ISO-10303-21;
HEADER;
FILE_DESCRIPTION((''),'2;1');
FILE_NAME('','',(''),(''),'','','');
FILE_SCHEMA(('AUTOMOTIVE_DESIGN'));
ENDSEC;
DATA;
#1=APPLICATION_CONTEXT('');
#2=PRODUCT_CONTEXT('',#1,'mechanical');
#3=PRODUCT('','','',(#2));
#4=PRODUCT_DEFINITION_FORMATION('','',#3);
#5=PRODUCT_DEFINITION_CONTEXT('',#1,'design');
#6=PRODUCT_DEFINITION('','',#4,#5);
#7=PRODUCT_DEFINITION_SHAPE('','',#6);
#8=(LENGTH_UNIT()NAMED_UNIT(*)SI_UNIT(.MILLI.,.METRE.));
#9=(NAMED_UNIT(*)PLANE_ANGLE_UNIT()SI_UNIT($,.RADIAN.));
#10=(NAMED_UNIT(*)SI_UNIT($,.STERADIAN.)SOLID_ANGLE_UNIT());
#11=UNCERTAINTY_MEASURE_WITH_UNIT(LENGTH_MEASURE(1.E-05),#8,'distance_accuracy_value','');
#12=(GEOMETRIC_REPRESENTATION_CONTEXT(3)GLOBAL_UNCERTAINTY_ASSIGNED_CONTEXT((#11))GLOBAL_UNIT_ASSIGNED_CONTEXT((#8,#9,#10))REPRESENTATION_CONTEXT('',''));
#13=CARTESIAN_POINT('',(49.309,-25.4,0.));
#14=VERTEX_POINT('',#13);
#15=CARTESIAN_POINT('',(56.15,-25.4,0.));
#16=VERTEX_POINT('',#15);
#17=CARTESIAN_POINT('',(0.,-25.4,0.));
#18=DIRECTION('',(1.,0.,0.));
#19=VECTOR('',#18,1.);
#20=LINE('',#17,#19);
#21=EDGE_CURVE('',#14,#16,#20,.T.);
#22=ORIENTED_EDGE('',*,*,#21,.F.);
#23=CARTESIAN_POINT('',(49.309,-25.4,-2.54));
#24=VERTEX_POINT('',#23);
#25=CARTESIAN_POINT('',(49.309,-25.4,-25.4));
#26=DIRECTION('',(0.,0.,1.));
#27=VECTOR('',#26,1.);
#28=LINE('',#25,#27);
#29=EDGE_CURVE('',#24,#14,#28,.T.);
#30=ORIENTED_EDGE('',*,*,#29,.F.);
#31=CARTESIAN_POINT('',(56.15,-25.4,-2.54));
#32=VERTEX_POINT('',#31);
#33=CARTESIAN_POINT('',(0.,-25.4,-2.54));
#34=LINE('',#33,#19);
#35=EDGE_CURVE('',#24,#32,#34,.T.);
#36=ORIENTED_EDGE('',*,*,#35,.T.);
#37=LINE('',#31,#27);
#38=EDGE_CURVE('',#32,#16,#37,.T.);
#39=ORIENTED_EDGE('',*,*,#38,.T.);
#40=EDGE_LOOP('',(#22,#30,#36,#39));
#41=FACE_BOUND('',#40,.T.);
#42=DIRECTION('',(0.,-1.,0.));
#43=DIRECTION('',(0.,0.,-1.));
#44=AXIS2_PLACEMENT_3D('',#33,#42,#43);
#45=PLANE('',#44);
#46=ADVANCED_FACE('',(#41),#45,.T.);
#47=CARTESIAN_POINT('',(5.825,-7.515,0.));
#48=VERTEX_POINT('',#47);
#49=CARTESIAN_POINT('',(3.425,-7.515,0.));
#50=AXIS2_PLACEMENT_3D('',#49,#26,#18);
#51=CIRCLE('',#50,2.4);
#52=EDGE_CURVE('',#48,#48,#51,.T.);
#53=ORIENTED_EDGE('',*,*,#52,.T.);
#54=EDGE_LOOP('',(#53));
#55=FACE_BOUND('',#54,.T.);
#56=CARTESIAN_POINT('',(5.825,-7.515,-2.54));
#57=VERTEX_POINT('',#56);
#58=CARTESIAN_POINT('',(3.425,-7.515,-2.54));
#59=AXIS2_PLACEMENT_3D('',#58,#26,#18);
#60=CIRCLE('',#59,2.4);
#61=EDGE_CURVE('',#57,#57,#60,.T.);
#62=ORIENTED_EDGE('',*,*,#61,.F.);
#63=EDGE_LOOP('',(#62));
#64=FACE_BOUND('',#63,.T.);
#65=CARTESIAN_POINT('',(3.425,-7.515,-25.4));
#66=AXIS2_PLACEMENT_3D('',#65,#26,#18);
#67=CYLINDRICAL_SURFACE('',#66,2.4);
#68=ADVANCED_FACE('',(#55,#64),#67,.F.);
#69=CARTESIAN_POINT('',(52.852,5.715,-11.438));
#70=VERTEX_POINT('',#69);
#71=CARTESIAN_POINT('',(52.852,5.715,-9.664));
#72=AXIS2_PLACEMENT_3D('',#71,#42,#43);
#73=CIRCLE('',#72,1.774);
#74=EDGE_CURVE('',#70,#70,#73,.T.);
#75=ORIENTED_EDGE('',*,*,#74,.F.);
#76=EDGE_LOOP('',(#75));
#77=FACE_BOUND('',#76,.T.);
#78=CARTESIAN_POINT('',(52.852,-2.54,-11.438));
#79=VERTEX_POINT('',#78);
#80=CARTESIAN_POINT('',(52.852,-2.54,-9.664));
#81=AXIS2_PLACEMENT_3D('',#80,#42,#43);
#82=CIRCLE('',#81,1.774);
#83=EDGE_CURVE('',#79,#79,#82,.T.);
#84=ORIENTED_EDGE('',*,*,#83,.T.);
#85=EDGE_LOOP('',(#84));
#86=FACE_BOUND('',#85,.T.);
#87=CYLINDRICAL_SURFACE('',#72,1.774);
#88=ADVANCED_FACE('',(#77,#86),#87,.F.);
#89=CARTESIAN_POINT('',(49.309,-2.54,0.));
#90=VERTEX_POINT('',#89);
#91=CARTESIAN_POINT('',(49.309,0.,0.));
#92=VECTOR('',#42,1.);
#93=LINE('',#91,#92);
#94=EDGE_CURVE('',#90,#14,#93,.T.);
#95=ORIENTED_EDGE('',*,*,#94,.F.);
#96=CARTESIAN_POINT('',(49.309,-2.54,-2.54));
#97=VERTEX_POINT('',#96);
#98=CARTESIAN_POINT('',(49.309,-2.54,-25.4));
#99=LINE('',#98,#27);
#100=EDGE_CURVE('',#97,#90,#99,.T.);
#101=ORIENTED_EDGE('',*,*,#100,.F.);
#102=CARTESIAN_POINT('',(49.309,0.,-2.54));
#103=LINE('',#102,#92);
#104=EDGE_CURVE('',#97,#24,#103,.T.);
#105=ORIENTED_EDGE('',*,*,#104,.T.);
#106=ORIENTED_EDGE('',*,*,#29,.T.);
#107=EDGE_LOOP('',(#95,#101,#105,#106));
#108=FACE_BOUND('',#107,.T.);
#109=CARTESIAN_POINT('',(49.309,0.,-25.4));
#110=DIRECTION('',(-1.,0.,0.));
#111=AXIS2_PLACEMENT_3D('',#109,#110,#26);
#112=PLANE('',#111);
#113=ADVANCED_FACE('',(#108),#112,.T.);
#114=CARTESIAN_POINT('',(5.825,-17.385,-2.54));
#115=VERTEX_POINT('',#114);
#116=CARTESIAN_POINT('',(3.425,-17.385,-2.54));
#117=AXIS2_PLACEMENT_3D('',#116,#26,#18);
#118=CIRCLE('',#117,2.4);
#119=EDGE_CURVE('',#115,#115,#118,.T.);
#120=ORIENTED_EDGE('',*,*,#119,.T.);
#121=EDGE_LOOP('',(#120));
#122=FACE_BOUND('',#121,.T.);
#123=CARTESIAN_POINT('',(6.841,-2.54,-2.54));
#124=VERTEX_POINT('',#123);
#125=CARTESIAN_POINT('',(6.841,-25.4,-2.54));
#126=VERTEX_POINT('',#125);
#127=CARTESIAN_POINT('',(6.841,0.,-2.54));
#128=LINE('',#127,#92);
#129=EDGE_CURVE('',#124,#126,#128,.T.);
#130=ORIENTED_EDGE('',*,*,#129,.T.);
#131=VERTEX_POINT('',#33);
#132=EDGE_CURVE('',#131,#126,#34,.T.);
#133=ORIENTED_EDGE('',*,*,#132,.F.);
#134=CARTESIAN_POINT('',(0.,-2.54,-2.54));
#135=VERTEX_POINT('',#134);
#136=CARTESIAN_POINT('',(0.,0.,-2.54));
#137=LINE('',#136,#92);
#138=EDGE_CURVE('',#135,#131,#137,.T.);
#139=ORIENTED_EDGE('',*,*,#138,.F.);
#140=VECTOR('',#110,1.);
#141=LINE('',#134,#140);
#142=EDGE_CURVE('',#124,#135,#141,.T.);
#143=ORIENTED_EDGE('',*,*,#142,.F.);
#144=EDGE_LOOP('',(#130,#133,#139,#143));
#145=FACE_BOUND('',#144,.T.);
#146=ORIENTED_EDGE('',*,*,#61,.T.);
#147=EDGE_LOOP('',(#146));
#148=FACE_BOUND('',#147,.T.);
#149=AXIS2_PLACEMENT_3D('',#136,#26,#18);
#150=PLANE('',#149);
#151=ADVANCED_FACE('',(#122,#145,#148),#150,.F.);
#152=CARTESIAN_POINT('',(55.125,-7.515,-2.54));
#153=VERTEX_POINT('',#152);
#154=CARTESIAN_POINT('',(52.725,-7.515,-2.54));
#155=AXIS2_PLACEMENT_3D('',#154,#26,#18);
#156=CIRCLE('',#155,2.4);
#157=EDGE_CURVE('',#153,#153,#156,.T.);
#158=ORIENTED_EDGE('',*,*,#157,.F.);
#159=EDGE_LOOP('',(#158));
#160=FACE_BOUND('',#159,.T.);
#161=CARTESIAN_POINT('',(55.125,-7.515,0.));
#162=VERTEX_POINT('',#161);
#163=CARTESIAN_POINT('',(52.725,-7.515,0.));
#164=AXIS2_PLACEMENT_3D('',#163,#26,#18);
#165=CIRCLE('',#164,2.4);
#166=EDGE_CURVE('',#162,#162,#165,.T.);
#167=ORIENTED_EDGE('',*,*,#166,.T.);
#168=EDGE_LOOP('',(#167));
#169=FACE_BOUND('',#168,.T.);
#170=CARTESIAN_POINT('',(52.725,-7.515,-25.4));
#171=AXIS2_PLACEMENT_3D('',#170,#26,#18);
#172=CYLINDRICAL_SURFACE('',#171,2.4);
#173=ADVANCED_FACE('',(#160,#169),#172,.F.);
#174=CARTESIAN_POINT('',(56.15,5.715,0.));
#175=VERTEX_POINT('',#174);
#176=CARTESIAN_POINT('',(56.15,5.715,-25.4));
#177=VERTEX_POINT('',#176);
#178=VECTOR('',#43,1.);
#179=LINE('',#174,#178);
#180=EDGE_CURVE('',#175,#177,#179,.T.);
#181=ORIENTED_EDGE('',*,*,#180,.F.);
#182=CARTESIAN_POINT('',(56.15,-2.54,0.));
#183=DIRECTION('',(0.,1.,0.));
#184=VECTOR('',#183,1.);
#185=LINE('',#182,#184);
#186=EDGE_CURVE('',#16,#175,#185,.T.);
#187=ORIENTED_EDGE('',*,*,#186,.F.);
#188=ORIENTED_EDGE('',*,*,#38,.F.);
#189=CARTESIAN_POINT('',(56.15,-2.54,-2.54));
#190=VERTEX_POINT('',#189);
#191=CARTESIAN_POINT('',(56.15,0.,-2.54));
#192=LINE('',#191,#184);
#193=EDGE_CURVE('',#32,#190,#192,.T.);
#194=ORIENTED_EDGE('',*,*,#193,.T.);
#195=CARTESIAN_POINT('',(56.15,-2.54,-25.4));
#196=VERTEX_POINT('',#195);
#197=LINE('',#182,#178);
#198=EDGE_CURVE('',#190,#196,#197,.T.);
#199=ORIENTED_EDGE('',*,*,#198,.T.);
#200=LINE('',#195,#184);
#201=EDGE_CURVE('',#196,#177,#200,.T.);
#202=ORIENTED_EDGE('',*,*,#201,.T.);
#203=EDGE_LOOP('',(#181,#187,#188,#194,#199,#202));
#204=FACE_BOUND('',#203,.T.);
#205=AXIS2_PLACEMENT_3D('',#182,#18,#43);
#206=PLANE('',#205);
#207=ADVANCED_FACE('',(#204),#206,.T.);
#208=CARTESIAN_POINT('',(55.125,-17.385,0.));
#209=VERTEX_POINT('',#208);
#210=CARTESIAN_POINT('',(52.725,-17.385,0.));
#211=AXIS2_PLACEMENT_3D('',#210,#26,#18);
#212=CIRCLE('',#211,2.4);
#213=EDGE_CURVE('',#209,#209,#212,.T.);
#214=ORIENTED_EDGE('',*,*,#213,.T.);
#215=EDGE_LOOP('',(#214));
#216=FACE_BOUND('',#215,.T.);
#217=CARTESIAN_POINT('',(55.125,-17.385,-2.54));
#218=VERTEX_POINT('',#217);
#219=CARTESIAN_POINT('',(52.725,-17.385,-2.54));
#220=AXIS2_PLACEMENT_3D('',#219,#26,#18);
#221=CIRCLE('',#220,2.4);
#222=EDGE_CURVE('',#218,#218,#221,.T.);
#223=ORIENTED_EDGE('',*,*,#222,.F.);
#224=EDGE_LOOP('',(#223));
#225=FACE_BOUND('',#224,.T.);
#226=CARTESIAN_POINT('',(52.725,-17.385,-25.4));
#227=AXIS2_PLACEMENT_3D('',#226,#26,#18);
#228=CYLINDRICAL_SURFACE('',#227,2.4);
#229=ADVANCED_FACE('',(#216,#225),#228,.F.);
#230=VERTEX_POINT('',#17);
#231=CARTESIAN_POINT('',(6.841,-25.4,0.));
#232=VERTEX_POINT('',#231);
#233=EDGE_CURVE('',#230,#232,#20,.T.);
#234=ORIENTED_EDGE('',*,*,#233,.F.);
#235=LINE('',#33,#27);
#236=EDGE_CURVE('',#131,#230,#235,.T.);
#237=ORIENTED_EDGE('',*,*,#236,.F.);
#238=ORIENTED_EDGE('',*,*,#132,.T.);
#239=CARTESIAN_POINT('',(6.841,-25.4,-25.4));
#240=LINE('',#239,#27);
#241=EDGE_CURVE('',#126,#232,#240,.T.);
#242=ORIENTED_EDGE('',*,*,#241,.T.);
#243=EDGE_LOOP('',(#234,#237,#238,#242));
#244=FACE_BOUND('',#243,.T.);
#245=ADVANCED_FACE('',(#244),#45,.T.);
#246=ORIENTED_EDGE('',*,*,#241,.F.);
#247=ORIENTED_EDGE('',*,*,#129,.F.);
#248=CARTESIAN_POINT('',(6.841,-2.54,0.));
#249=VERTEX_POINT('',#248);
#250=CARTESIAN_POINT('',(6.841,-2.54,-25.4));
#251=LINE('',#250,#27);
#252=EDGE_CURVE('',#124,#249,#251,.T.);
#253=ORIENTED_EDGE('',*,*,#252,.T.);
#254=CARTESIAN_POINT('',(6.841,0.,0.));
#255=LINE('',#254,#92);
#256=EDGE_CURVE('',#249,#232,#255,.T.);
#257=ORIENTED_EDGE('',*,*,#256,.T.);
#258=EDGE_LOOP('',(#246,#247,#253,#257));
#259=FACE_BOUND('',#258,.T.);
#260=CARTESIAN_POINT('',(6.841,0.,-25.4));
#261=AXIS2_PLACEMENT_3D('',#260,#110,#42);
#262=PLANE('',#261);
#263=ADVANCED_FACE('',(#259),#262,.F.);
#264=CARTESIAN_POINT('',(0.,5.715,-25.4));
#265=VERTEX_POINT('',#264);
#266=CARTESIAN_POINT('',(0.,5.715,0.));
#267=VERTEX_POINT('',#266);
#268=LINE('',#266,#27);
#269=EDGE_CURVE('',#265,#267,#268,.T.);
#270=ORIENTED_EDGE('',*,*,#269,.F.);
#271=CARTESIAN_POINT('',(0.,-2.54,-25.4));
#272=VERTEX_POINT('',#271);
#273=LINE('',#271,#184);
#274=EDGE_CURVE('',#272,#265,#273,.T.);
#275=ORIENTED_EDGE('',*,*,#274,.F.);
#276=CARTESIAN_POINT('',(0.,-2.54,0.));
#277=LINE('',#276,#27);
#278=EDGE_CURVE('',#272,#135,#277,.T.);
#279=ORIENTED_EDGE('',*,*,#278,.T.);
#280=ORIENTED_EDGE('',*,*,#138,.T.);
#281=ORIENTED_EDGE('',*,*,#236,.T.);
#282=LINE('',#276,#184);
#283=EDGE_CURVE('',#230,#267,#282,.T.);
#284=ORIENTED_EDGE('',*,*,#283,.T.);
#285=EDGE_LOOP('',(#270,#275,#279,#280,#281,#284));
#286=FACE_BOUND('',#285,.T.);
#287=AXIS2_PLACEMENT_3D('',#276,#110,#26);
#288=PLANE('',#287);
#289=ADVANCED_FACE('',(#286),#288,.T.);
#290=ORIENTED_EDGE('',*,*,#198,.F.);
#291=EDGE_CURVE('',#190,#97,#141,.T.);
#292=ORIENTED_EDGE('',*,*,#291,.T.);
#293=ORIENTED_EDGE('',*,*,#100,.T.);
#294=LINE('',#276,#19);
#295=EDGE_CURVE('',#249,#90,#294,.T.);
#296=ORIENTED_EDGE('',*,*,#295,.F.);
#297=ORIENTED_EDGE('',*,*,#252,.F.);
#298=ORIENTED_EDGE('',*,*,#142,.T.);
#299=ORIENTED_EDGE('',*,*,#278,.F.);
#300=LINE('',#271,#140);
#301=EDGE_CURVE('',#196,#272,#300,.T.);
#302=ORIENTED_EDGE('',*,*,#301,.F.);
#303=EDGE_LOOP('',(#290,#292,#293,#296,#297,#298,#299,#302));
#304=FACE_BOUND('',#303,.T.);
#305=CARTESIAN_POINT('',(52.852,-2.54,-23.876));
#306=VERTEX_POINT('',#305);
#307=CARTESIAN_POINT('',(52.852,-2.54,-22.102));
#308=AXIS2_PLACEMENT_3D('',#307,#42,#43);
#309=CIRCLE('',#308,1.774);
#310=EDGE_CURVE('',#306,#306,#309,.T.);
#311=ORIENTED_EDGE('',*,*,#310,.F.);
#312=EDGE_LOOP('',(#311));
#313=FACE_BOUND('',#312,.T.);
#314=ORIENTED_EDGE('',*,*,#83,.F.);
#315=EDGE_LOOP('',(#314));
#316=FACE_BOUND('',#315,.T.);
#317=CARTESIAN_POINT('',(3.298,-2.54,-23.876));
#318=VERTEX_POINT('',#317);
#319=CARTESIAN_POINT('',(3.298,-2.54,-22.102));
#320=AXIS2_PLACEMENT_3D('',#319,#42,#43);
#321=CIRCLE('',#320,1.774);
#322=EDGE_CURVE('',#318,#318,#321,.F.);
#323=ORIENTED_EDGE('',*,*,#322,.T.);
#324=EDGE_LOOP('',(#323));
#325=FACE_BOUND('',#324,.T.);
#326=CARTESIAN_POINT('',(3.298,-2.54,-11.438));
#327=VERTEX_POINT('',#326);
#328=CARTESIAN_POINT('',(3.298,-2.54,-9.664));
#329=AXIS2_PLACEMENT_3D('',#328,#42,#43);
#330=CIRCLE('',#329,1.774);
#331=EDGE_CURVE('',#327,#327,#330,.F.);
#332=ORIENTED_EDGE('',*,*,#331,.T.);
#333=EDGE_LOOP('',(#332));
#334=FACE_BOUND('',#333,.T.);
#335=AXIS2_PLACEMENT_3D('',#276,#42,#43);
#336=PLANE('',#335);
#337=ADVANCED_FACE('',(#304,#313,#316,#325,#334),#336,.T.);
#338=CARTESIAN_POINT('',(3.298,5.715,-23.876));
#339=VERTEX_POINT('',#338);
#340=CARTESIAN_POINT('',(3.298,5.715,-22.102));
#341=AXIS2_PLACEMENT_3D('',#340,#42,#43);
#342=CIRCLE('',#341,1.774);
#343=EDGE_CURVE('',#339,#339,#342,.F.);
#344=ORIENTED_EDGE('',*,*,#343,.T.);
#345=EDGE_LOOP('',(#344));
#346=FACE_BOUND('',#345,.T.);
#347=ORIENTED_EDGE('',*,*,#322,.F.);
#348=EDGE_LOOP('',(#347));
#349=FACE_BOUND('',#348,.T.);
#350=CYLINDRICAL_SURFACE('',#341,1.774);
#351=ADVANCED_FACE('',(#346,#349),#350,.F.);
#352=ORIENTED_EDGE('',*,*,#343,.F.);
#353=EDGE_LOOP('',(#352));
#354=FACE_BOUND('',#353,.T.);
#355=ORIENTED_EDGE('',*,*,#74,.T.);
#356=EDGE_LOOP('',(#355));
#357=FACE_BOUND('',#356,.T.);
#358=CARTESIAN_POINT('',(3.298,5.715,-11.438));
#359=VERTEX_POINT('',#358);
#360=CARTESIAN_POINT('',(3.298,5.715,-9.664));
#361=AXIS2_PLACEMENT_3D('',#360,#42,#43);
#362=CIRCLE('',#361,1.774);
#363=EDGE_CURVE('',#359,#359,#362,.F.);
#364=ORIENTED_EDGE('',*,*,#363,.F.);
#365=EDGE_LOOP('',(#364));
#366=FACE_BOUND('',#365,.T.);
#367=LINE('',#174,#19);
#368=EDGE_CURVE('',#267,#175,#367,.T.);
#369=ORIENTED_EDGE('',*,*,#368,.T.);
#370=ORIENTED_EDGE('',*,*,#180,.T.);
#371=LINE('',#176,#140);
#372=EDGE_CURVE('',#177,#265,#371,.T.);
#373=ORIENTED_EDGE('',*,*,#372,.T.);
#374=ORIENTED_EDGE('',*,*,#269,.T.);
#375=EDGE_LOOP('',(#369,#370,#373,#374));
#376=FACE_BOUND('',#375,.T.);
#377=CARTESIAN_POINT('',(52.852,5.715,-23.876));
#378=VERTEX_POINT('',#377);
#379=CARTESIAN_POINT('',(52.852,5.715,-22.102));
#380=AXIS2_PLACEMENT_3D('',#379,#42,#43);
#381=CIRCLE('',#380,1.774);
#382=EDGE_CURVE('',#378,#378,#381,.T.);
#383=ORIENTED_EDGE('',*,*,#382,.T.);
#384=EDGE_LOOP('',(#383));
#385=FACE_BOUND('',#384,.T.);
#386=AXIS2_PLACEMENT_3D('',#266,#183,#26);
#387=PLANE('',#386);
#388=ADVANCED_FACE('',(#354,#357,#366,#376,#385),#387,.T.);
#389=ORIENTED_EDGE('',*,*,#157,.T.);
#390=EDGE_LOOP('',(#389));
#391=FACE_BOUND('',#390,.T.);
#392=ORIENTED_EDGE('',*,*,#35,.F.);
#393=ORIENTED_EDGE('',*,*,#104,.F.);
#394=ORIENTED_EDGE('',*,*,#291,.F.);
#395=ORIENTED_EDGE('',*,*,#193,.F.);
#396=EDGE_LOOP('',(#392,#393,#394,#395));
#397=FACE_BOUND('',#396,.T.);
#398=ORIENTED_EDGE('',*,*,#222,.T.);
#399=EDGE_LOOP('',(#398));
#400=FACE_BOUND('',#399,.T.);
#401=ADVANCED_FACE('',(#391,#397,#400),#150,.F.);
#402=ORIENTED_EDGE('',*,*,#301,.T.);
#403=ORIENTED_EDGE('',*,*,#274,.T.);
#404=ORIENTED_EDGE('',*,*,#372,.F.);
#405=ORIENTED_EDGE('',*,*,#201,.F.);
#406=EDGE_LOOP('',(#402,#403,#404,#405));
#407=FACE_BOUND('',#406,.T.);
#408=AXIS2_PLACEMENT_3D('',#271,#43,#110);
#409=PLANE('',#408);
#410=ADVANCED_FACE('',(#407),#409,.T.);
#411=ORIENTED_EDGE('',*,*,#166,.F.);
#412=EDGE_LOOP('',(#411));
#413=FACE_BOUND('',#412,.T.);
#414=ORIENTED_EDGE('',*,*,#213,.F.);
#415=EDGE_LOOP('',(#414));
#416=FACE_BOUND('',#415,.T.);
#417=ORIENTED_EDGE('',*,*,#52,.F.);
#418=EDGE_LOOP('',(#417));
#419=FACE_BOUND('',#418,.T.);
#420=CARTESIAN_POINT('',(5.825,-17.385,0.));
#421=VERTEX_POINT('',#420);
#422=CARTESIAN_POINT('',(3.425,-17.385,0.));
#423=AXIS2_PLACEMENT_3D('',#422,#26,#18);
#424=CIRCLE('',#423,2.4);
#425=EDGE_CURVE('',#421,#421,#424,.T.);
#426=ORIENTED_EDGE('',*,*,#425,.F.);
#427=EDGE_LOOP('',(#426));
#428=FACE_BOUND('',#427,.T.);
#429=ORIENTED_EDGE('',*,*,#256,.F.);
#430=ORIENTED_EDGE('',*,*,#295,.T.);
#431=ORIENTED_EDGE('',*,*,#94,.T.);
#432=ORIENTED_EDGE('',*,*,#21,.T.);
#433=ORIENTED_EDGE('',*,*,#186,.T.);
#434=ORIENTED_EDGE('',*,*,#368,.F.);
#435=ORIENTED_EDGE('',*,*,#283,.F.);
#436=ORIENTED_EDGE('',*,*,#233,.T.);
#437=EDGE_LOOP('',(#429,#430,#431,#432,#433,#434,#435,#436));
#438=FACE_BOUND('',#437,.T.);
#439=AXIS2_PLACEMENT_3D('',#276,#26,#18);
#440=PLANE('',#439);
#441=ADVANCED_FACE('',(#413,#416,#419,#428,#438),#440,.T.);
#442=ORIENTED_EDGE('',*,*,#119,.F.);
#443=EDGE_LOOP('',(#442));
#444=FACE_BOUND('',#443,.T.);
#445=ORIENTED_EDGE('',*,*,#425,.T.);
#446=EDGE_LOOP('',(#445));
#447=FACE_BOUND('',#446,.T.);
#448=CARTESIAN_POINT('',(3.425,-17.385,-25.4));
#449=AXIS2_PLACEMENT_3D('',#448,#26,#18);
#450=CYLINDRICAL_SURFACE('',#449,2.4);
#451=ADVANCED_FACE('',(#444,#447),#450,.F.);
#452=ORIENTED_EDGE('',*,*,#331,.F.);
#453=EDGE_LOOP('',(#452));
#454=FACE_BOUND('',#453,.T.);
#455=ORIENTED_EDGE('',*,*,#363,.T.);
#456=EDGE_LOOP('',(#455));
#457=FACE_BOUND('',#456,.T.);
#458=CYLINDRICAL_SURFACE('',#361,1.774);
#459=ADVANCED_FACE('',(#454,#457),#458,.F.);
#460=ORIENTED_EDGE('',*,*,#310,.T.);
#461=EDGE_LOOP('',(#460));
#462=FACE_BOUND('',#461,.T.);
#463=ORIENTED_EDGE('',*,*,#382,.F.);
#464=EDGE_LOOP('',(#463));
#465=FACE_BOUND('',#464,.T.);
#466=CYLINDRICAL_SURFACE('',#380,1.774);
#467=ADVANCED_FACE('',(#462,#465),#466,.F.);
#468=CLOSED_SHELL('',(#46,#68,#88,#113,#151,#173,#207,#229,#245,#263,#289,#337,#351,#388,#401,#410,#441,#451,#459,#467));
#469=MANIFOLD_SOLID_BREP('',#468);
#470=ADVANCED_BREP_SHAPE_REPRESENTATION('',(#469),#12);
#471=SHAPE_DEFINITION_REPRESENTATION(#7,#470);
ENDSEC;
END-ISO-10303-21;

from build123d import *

# Parameters (mm, degrees)
SKETCH1_W           = 56.15
SKETCH1_H           = 25.4
BOSS_EXTRUDE1_DEPTH = 2.54
SKETCH2_W           = 56.15
SKETCH2_H           = 25.4
BOSS_EXTRUDE2_DEPTH = 2.54
SKETCH3_R           = 2.400000018
CUT_EXTRUDE1_DEPTH  = 26.4
SKETCH11_W          = 56.15
SKETCH11_H          = 25.4
BOSS_EXTRUDE3_DEPTH = 5.715
SKETCH6_R           = 1.774
CUT_EXTRUDE3_DEPTH  = 9.255
CUT_EXTRUDE4_DEPTH  = 26.4


with BuildPart() as part:
    # Sketch1 → Boss-Extrude1 (new body)
    with BuildSketch(Plane(origin=(0, 0, 0), x_dir=(1, 0, 0), z_dir=(0, 1, 0))):
        with Locations((28.075, 12.7)):
            Rectangle(SKETCH1_W, SKETCH1_H)
    extrude(amount=-BOSS_EXTRUDE1_DEPTH)

    # Sketch2 → Boss-Extrude2 (add)
    with BuildSketch(Plane.XY):
        with Locations((28.075, -12.7)):
            Rectangle(SKETCH2_W, SKETCH2_H)
    extrude(amount=-BOSS_EXTRUDE2_DEPTH)

    # Sketch3 → Cut-Extrude1 (cut, through all)
    with BuildSketch(Plane.XY):
        with Locations((3.425, -7.515)):
            Circle(SKETCH3_R)
        with Locations((3.425, -17.385)):
            Circle(SKETCH3_R)
        with Locations((52.725, -7.515)):
            Circle(SKETCH3_R)
        with Locations((52.725, -17.385)):
            Circle(SKETCH3_R)
    extrude(amount=-CUT_EXTRUDE1_DEPTH, mode=Mode.SUBTRACT)

    # Sketch11 → Boss-Extrude3 (add)
    with BuildSketch(Plane(origin=(0, 0, 0), x_dir=(1, 0, 0), z_dir=(0, 1, 0))):
        with Locations((28.075, 12.7)):
            Rectangle(SKETCH11_W, SKETCH11_H)
    extrude(amount=BOSS_EXTRUDE3_DEPTH)

    # Sketch6 → Cut-Extrude3 (cut, through all)
    with BuildSketch(Plane.XZ.offset(2.54)):
        with Locations((52.852, -22.102)):
            Circle(SKETCH6_R)
        with Locations((52.852, -9.664)):
            Circle(SKETCH6_R)
        with Locations((3.298, -9.664)):
            Circle(SKETCH6_R)
        with Locations((3.298, -22.102)):
            Circle(SKETCH6_R)
    extrude(amount=-CUT_EXTRUDE3_DEPTH, mode=Mode.SUBTRACT)

    # Sketch7 → Cut-Extrude4 (cut, through all)
    with BuildSketch(Plane.XY):
        Polygon((49.308999982, -2.54), (6.841000018, -2.54), (6.841000018, -7.515), (6.841000018, -25.4), (49.308999982, -25.4), align=None)
    extrude(amount=-CUT_EXTRUDE4_DEPTH, mode=Mode.SUBTRACT)


solid = part.part
